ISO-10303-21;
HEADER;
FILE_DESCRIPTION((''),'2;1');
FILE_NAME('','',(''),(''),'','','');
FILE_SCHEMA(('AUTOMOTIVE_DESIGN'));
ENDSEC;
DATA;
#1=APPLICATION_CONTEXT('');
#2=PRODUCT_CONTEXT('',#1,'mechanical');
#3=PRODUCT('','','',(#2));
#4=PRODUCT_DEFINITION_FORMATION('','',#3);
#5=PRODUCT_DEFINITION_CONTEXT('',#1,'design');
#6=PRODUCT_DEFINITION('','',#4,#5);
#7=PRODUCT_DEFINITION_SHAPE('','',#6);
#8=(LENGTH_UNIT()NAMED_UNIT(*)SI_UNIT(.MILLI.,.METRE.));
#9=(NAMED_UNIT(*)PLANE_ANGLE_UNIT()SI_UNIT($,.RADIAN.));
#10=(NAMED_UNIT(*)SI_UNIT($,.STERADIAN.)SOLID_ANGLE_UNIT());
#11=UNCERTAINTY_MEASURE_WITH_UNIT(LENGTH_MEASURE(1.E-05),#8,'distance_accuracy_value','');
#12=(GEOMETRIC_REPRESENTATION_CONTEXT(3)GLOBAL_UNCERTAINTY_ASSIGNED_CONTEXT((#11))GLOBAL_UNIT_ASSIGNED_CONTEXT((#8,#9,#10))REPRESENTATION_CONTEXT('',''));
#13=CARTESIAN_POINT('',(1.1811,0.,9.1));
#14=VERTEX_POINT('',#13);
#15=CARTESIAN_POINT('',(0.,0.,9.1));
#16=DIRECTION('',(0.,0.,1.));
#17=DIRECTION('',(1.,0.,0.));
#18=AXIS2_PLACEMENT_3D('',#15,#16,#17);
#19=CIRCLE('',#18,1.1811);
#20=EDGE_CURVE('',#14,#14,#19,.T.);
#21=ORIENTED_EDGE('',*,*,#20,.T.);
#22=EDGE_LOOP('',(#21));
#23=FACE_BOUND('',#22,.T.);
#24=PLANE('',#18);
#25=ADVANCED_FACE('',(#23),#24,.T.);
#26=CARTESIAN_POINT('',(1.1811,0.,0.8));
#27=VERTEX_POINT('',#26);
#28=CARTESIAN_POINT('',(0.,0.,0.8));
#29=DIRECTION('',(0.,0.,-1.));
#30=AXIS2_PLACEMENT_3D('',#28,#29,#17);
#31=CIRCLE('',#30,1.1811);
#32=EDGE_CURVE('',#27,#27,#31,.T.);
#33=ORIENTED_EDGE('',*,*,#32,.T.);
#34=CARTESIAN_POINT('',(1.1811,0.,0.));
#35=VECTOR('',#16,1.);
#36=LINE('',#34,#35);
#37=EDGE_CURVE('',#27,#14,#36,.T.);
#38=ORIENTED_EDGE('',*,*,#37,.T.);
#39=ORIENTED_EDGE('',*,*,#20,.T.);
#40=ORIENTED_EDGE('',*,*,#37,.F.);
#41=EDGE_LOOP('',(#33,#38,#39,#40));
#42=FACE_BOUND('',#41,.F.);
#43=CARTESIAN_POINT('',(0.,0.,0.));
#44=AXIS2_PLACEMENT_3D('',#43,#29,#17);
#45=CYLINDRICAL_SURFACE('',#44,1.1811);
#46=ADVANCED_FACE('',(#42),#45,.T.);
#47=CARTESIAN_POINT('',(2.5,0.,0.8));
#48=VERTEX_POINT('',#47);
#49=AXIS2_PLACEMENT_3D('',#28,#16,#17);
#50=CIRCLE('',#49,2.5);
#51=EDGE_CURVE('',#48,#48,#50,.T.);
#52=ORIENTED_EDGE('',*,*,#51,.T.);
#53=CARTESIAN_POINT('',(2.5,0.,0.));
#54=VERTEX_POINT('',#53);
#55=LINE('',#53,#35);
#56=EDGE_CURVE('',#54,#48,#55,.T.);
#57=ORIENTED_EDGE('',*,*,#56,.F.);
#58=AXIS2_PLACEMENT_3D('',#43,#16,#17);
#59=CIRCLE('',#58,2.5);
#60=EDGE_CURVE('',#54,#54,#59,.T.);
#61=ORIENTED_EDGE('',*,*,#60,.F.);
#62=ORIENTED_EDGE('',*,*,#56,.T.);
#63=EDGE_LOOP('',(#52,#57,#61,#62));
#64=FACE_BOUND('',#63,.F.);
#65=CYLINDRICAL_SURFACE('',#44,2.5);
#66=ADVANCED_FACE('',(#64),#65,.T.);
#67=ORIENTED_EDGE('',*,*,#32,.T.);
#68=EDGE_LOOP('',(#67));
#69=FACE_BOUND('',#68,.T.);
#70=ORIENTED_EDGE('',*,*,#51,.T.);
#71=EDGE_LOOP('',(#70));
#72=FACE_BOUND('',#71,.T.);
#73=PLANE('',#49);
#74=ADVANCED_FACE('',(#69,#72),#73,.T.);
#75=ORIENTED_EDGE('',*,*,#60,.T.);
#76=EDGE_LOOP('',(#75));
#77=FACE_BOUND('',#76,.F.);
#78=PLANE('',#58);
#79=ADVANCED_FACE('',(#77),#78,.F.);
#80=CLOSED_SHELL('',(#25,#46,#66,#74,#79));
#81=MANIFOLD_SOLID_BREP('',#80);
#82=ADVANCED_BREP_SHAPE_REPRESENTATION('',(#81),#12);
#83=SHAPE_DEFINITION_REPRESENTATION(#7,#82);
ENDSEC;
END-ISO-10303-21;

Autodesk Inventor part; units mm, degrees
ref_plane "YZ Plane" through (0, 0, 0) normal (1, 0, 0) x (0, 1, 0)
ref_plane "XZ Plane" through (0, 0, 0) normal (0, 1, 0) x (-1, 0, 0)
ref_plane "XY Plane" through (0, 0, 0) normal (0, 0, 1) x (1, 0, 0)
sketch "Sketch1" plane through (0, 0, 0) normal (0, 0, 1) x (1, 0, 0)
  circle A0 centre (0, 0) radius 1.1811
  dimension "d0" = 2.3622
extrude "Extrusion1" add sketch "Sketch1" along normal blind 9.1
sketch "Sketch2" plane through (0, 0, 0) normal (0, 0, 1) x (1, 0, 0)
  circle A0 centre (0, 0) radius 2.5
  dimension "d3" = 5
extrude "Extrusion2" add sketch "Sketch2" along normal blind 0.8
properties part number "switch_plunger" material "Thermoplastic Resin"
